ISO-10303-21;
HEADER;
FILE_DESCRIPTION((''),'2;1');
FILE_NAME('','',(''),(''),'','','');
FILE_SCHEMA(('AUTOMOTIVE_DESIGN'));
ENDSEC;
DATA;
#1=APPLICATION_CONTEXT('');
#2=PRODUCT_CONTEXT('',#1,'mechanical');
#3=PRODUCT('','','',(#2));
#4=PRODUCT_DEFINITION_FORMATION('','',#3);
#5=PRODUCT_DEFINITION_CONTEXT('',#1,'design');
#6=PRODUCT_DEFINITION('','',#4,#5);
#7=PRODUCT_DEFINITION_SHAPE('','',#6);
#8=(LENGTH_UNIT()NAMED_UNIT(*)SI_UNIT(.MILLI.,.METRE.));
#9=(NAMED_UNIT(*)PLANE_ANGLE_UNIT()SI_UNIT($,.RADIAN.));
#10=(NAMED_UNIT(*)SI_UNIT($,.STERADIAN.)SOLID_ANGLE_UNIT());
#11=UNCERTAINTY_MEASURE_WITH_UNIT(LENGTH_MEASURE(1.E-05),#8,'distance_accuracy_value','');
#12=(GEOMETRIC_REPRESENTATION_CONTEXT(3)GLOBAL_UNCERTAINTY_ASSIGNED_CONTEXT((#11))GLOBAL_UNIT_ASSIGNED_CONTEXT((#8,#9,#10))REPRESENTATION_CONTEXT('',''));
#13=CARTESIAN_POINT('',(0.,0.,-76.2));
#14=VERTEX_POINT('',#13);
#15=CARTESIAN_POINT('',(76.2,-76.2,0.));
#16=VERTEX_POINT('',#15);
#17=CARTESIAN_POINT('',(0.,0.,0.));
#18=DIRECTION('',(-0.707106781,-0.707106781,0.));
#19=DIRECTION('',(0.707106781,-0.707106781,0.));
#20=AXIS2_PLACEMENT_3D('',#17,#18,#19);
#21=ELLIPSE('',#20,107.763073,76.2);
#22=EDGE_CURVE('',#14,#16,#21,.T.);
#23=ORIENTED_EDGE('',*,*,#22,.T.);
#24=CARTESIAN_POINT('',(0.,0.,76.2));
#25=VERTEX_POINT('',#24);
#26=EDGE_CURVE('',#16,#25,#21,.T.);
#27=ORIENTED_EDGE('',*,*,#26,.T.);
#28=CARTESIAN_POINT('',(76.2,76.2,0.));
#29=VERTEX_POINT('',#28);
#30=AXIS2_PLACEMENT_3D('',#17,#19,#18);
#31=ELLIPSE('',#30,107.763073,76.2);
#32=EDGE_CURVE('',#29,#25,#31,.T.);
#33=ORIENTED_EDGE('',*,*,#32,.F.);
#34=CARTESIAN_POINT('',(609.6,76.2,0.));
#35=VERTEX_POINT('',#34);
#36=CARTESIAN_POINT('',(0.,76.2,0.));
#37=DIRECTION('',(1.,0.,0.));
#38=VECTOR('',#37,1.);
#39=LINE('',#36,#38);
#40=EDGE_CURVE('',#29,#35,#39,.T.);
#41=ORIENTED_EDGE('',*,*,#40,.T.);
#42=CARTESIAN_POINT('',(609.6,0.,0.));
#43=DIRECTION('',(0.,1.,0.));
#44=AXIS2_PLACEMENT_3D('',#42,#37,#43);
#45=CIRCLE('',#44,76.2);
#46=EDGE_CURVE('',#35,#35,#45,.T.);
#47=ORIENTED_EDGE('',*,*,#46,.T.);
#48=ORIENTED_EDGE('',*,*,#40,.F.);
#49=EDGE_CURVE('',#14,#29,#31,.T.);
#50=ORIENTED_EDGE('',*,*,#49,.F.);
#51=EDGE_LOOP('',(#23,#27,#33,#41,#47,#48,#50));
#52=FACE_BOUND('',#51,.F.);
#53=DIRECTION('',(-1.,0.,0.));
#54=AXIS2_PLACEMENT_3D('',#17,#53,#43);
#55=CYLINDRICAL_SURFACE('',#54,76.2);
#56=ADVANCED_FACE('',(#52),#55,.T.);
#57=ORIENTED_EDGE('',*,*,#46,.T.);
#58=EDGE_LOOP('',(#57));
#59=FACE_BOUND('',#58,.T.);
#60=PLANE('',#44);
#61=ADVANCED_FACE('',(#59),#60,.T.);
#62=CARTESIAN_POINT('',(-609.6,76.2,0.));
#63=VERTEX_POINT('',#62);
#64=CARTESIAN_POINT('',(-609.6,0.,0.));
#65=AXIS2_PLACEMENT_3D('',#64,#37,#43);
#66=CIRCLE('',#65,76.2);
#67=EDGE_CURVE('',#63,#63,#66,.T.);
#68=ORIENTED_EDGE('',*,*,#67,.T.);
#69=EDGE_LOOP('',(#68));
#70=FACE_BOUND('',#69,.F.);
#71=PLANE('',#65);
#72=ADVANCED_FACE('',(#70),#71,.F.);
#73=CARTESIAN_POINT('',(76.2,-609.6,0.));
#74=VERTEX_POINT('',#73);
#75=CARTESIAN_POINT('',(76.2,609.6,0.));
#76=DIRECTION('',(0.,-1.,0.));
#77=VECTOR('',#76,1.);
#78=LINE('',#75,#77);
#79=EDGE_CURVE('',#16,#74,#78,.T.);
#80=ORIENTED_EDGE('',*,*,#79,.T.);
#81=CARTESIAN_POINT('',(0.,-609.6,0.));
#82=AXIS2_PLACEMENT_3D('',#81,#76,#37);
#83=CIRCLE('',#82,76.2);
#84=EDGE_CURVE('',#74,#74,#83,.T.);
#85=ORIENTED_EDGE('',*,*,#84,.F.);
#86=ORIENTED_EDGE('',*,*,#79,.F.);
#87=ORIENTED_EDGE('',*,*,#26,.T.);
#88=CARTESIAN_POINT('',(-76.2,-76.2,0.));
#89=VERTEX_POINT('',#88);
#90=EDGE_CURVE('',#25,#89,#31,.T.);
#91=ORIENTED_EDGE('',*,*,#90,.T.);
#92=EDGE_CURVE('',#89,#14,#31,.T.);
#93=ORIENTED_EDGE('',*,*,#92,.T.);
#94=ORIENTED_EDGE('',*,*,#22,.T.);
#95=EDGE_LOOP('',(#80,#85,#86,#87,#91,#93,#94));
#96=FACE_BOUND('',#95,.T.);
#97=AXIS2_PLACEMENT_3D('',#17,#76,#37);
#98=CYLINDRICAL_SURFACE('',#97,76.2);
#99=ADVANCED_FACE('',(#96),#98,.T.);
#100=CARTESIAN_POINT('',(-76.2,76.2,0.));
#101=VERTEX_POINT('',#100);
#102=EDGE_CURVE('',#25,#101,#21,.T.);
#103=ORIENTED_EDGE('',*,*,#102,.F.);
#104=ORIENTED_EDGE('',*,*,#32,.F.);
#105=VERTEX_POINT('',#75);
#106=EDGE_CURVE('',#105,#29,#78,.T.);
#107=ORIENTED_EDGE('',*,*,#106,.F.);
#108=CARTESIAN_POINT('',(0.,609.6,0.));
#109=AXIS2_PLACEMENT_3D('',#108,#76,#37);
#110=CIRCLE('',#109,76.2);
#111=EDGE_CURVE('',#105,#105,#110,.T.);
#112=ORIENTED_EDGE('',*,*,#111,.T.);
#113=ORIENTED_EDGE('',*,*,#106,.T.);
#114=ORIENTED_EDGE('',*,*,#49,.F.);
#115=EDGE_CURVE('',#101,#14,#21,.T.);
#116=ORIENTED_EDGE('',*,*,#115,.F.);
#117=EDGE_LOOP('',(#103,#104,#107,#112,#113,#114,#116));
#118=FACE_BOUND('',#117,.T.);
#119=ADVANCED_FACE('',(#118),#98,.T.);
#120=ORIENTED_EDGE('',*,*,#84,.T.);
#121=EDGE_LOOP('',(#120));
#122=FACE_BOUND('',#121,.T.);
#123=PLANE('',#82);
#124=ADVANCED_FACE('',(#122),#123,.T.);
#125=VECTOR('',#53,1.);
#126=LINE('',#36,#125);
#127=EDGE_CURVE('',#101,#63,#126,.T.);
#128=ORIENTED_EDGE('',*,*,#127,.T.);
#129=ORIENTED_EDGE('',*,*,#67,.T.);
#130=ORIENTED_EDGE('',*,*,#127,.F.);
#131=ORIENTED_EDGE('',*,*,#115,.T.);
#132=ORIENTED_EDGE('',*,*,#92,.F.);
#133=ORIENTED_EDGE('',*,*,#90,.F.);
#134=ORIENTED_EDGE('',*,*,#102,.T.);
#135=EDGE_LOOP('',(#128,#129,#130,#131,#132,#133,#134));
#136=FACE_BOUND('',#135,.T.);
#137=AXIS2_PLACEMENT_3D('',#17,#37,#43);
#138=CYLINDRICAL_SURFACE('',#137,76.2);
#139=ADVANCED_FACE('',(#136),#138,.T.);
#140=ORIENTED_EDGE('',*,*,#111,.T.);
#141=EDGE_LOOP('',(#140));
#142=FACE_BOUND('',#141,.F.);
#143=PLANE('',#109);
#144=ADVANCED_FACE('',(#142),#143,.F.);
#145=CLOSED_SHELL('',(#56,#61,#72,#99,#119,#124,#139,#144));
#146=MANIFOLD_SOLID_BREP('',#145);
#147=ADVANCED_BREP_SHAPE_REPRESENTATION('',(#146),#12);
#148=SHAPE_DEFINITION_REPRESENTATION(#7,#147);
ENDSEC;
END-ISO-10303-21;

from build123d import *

# Parameters (mm, degrees)
F0_R          = 76.2
F1_DEPTH      = 609.6
F1_DEPTH_BACK = 609.6
F2_R          = 76.2
F3_DEPTH      = 609.6
F3_DEPTH_BACK = 609.6


with BuildPart() as f1:
    # F0 (on Front) → F1 (new body, two sides)
    with BuildSketch(Plane.XZ) as f1_sk:
        Circle(F0_R)
    extrude(amount=F1_DEPTH)
    extrude(f1_sk.sketch, amount=-F1_DEPTH_BACK)

    # F2 (on Right) → F3 (join, two sides)
    with BuildSketch(Plane.YZ) as f3_sk:
        Circle(F2_R)
    extrude(amount=F3_DEPTH)
    extrude(f3_sk.sketch, amount=-F3_DEPTH_BACK)


solid = f1.part
